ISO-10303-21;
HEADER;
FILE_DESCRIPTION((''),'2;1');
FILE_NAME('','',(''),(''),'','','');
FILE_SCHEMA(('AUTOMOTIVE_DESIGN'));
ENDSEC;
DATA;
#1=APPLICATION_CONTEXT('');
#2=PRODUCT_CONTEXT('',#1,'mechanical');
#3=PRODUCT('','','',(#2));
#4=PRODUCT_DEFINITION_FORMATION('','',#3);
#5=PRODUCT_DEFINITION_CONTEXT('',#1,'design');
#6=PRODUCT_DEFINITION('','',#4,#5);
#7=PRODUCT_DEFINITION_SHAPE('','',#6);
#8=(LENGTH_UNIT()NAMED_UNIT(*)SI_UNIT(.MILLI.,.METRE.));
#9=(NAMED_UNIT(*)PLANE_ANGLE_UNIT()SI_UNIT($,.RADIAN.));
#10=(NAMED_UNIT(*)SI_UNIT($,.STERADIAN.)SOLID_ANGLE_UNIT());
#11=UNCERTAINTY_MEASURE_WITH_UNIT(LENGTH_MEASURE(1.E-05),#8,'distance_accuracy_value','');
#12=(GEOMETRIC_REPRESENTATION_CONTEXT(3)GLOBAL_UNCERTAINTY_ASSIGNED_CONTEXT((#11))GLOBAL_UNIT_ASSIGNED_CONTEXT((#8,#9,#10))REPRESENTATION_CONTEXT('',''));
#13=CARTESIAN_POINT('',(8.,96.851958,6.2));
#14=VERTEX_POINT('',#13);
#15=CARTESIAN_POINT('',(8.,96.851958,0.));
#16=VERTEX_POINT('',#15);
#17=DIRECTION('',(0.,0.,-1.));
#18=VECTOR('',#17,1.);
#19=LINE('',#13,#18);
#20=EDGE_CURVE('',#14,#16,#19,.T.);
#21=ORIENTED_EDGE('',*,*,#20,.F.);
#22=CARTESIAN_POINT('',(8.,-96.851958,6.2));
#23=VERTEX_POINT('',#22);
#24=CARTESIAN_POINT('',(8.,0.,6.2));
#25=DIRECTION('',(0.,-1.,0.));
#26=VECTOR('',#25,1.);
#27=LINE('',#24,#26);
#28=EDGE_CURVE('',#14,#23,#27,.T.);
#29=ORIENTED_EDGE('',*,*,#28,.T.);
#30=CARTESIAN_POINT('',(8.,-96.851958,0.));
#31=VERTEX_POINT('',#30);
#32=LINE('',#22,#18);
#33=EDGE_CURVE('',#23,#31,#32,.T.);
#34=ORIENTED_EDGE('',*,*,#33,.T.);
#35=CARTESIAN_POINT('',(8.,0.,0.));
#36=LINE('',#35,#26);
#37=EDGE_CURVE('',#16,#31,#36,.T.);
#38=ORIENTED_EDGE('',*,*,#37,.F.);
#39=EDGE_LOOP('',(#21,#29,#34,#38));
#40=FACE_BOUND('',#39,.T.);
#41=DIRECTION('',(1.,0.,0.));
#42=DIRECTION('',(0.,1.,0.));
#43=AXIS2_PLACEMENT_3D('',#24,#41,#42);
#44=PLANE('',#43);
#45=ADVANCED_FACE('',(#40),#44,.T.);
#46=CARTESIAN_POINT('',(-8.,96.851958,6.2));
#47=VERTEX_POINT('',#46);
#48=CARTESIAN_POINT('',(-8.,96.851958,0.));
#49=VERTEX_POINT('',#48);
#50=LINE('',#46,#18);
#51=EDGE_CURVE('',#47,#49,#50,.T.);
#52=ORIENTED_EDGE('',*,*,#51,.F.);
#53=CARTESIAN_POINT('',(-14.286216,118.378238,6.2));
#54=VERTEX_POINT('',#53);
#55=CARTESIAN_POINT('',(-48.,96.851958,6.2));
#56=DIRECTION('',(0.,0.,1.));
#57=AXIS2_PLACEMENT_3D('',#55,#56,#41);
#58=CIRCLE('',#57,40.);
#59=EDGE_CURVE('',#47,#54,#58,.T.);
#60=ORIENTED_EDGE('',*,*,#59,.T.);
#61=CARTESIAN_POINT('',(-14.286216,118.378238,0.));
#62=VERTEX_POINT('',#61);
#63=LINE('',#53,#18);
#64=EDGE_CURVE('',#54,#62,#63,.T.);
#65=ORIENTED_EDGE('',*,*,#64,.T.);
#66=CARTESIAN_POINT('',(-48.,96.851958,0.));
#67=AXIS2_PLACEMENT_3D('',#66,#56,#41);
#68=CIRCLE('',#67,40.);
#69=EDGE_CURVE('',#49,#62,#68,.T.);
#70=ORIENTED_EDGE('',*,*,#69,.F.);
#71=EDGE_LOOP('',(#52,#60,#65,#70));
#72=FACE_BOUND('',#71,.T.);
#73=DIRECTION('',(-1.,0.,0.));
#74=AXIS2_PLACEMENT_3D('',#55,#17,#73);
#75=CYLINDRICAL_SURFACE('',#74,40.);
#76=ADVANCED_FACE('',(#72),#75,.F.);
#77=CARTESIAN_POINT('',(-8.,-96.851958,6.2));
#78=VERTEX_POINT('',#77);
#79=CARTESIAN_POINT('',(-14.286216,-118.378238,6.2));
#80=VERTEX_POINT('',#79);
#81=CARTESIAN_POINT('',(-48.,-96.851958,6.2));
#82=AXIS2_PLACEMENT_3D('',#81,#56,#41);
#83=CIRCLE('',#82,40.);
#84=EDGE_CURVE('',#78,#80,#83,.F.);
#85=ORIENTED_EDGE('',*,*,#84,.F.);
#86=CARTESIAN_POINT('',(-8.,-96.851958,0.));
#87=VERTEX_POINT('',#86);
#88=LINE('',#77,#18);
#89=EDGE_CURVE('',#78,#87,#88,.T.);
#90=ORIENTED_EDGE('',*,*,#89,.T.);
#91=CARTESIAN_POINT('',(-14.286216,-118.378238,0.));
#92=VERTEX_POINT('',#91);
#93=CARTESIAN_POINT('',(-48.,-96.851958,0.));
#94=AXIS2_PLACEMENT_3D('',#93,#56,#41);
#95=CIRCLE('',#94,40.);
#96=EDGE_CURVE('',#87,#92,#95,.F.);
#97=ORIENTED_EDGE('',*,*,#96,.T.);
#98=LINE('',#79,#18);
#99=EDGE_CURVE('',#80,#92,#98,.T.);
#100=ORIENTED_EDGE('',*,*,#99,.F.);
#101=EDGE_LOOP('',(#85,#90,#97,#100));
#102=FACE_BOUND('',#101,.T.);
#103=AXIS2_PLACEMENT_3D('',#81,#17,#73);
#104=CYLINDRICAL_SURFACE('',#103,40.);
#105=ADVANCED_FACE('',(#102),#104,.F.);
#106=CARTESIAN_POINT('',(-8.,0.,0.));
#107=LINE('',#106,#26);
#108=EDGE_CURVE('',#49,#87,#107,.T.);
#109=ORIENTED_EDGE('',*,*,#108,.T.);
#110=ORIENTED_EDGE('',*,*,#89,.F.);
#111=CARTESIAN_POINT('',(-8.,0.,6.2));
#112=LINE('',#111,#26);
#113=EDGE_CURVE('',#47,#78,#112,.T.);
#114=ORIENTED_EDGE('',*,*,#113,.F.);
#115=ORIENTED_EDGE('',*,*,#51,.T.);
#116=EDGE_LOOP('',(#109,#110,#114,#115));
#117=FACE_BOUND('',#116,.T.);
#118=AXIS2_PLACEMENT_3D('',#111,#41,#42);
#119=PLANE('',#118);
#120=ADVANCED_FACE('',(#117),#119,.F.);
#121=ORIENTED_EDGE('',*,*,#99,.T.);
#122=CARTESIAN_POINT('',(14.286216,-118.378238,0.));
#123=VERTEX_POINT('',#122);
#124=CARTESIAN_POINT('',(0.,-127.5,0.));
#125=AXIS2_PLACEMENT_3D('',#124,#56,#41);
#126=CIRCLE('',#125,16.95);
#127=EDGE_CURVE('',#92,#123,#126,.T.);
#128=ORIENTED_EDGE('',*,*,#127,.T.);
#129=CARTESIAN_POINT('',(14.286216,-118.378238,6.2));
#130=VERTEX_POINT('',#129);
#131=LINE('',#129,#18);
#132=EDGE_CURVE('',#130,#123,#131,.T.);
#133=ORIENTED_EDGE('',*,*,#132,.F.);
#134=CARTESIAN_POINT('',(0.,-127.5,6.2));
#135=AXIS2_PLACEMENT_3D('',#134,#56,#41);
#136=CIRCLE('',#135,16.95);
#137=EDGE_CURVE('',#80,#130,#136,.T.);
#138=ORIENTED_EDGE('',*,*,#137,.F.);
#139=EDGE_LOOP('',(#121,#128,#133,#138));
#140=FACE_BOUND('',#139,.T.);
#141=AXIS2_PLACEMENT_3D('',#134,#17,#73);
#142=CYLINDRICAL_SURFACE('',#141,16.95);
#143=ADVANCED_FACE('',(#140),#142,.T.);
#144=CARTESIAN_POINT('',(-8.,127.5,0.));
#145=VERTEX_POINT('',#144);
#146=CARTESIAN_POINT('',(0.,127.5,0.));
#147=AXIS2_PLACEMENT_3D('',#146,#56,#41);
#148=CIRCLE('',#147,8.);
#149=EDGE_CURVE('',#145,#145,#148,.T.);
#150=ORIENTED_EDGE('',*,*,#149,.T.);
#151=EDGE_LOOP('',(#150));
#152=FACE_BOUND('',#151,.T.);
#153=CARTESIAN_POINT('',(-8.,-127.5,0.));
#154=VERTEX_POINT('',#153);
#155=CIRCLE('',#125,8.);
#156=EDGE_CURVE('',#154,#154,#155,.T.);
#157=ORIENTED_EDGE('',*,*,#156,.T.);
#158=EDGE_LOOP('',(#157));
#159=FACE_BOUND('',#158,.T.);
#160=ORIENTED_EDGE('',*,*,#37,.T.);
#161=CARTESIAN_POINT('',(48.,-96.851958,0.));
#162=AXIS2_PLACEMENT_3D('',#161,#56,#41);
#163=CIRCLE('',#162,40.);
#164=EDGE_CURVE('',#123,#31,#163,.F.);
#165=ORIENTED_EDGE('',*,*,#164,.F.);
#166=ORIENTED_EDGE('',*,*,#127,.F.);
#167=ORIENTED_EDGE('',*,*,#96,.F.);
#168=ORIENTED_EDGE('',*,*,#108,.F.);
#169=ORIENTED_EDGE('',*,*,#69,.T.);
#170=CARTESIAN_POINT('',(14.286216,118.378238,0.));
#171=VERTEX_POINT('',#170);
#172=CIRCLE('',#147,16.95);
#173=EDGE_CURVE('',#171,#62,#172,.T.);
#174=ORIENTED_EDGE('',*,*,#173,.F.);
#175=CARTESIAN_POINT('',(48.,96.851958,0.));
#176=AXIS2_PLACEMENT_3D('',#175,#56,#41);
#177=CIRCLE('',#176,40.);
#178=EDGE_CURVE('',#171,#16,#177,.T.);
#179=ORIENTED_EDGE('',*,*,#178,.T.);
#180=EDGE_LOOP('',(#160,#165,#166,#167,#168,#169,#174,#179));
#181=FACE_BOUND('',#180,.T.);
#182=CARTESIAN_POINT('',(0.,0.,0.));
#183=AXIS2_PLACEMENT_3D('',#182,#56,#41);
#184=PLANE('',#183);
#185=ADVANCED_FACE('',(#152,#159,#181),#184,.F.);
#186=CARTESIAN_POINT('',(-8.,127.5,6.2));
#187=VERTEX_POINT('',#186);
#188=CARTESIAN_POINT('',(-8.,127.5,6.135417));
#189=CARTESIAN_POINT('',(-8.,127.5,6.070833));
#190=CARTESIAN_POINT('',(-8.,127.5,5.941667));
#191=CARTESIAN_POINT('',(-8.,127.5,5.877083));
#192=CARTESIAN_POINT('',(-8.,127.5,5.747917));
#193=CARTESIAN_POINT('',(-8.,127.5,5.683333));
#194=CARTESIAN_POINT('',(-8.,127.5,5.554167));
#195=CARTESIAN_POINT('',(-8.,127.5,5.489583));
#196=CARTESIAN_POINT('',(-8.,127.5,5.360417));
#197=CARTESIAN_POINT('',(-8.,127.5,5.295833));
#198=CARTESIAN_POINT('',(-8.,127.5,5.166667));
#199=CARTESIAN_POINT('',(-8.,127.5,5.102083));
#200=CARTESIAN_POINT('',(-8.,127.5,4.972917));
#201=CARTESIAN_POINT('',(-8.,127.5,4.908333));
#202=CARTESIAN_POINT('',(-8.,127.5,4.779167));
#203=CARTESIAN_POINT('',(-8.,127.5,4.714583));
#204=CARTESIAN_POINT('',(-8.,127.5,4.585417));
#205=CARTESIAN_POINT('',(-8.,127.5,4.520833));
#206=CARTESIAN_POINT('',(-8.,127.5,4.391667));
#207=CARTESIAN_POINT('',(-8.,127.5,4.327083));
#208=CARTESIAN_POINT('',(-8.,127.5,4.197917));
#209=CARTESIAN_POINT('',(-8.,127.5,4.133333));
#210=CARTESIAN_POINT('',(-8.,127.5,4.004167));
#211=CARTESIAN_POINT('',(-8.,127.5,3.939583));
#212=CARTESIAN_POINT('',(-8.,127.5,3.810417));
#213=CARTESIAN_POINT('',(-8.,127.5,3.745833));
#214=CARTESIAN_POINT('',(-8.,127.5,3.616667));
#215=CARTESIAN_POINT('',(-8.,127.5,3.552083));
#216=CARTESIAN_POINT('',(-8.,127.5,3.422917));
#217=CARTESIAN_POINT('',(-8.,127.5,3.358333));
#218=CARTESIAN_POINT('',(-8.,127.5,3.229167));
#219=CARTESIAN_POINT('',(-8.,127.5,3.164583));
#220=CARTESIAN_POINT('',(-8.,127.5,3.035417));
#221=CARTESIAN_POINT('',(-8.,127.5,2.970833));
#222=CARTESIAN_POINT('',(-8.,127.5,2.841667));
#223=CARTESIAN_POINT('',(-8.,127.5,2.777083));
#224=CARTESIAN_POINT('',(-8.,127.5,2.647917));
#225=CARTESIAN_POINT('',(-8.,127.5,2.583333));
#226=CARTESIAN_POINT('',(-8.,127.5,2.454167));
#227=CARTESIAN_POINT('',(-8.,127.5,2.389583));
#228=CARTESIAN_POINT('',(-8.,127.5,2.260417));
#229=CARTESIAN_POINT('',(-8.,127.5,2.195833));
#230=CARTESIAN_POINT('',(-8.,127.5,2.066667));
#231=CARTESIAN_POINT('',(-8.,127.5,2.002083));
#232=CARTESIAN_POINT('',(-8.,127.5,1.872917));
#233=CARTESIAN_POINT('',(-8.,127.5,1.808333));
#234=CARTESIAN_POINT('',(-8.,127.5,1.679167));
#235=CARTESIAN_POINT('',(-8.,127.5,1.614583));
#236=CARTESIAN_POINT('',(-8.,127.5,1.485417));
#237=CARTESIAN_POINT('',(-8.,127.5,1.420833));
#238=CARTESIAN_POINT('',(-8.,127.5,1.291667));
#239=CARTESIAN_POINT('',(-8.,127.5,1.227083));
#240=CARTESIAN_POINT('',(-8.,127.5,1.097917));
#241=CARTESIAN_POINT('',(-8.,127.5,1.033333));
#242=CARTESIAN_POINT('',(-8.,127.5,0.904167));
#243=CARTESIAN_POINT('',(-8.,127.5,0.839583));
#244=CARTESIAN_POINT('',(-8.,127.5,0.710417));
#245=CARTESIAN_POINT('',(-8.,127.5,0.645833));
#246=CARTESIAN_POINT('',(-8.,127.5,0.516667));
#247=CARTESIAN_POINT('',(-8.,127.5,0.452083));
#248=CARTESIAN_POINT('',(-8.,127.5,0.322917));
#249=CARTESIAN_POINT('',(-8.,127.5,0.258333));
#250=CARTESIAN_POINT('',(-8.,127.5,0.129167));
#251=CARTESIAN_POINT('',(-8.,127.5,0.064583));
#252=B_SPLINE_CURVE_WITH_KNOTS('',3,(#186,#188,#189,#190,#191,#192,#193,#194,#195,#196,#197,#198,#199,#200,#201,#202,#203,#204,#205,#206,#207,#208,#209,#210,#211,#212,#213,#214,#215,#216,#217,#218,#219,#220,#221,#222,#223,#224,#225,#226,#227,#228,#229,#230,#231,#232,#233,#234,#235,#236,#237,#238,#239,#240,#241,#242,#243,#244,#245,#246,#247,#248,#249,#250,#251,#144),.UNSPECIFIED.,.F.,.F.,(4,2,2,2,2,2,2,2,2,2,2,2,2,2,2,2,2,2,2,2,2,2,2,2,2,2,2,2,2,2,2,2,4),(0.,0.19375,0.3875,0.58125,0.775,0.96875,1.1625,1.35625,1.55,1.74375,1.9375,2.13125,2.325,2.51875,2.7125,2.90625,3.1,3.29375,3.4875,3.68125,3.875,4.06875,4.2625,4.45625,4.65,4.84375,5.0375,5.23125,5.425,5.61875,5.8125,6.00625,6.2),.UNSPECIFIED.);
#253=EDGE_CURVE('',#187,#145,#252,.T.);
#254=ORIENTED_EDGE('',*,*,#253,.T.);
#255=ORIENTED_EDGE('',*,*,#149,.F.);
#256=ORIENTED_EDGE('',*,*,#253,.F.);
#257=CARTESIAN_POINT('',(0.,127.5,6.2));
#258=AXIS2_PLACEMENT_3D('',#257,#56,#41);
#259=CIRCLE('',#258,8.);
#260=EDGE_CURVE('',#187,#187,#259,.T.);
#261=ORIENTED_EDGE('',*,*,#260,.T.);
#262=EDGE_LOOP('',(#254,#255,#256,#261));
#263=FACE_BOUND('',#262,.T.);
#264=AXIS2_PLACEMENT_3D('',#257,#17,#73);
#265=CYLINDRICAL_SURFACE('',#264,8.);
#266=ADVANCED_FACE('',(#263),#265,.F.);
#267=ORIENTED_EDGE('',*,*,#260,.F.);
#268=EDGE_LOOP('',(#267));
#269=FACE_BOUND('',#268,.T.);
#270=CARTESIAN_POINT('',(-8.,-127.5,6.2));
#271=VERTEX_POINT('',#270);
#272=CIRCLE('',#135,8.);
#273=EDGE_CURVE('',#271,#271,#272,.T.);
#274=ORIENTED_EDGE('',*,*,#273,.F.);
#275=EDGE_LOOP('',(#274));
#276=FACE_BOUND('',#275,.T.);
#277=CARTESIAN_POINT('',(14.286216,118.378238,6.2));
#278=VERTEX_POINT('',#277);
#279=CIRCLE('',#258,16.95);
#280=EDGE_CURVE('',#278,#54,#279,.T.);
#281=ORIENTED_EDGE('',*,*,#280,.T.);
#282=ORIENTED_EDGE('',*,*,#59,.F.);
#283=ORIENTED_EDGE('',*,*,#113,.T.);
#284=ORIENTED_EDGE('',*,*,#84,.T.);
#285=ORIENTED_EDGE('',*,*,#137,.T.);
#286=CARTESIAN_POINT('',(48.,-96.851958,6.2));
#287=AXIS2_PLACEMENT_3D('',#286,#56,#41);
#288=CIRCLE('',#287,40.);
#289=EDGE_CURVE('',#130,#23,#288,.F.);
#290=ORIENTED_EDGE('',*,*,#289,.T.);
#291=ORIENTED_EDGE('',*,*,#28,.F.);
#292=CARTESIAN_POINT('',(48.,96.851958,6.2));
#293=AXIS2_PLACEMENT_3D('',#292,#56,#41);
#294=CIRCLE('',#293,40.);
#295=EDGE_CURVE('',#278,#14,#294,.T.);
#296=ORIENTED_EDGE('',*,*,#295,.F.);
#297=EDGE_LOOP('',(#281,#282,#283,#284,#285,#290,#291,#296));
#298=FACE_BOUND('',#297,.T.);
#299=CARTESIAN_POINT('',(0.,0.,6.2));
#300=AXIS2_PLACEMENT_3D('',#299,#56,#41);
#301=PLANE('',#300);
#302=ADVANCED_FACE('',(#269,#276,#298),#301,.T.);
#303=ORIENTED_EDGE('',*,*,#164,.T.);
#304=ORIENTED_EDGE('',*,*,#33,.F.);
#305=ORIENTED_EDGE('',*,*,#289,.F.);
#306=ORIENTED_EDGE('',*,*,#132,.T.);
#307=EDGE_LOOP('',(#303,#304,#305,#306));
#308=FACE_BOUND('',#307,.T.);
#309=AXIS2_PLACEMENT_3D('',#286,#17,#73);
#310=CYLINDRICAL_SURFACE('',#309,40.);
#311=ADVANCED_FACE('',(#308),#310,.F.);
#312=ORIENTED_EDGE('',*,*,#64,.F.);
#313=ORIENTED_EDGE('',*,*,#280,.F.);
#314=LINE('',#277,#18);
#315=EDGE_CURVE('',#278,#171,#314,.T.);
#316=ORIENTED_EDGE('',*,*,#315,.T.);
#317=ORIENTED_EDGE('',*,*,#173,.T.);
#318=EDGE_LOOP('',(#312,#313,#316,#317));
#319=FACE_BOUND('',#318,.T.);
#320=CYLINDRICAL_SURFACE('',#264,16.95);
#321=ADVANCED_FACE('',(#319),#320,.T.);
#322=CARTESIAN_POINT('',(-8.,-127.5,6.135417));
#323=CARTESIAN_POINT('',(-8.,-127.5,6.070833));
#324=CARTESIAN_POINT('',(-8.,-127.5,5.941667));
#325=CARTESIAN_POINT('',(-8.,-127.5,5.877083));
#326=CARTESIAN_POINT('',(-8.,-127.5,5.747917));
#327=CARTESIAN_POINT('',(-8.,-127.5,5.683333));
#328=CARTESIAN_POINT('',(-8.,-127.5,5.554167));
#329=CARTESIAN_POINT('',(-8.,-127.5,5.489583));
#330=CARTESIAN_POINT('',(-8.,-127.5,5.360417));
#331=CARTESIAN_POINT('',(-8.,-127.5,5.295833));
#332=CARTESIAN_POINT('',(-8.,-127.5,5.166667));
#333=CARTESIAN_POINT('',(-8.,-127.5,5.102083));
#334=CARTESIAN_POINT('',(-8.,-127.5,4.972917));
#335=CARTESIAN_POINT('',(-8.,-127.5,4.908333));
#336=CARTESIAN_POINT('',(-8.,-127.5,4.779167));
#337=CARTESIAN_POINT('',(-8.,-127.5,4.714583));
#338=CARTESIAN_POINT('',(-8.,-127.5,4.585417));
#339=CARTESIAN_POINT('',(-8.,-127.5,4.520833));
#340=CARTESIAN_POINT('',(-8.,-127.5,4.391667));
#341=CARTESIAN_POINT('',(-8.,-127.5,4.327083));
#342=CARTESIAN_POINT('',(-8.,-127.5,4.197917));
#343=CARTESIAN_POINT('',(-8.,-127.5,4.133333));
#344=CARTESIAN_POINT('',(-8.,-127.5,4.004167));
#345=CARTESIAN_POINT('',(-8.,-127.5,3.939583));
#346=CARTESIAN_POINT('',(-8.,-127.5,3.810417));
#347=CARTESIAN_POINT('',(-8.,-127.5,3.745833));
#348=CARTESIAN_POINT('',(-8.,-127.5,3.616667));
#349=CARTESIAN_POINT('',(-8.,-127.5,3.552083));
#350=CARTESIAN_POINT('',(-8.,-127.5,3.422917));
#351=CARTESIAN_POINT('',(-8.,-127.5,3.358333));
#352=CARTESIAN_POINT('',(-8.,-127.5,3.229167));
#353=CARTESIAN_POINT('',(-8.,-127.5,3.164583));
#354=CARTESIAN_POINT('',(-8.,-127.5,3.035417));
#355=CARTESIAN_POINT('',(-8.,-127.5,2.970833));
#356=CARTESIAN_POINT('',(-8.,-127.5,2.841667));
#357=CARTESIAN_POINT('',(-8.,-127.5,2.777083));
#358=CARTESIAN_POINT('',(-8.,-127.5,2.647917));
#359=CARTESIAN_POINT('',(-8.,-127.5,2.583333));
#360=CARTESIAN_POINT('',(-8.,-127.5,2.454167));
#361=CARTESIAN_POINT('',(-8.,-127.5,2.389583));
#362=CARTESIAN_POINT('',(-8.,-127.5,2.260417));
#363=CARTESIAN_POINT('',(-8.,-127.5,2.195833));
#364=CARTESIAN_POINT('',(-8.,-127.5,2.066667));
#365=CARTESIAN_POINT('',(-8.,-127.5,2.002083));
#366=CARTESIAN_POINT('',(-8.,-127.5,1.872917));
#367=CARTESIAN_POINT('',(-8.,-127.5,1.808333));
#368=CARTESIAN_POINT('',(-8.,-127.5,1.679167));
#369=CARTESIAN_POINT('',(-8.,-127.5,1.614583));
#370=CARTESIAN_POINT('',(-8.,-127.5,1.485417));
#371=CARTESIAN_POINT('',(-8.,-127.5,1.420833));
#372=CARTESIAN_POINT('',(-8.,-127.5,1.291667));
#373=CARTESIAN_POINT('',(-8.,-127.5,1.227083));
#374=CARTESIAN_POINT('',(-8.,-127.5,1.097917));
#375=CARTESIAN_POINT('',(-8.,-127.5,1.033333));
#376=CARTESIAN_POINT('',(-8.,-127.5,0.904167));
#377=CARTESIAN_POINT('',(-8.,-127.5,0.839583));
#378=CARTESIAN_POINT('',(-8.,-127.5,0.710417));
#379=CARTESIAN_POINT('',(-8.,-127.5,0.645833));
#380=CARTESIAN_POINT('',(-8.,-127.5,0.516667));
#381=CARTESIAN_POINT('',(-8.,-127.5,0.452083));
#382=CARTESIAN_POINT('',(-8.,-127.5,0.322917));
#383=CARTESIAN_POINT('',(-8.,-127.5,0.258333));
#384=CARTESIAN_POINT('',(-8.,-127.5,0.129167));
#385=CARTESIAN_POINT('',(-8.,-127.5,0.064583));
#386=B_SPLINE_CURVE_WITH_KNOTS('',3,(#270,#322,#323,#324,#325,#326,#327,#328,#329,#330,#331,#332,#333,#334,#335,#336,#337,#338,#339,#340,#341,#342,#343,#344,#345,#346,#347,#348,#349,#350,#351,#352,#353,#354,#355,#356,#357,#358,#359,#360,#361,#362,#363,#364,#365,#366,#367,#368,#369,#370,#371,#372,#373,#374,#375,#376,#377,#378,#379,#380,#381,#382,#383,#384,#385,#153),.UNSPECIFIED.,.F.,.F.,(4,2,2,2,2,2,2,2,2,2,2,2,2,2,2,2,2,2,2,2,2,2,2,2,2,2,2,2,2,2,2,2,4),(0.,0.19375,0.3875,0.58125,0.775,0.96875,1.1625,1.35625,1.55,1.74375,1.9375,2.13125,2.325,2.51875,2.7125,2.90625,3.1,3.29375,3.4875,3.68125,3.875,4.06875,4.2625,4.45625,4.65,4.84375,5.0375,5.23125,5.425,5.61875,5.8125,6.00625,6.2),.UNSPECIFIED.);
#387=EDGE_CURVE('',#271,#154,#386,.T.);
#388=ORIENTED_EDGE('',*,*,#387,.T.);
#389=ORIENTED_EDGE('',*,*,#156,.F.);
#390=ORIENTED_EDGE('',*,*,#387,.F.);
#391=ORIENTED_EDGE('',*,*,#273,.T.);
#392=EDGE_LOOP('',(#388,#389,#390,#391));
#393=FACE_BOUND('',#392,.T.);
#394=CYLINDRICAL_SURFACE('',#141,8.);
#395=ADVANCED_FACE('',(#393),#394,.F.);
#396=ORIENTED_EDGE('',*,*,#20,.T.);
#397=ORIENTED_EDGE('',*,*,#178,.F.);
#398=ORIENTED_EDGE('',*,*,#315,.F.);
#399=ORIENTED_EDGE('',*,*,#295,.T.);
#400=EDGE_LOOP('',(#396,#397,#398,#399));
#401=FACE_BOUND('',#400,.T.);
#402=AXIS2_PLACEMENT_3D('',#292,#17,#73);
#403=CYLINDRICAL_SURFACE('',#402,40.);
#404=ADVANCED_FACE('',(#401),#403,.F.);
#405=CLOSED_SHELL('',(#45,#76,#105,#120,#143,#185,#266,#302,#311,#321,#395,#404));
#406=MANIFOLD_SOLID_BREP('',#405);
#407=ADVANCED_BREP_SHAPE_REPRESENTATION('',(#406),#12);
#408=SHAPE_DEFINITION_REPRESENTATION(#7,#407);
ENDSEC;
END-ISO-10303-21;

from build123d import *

# Parameters (mm, degrees)
SKETCH1_R           = 8
BOSS_EXTRUDE1_DEPTH = 6.2


with BuildPart() as part:
    # Sketch1 → Boss-Extrude1 (new body)
    with BuildSketch(Plane.XY):
        with BuildLine():
            Line((-8, 96.851957648), (-8, -96.851957648))
            ThreePointArc((-8, -96.851957648), (-9.603702256, -108.064643302), (-14.286215979, -118.378238492))
            ThreePointArc((-14.286215979, -118.378238492), (0, -144.45), (14.286215979, -118.378238492))
            ThreePointArc((14.286215979, -118.378238492), (9.603702256, -108.064643302), (8, -96.851957648))
            Line((8, -96.851957648), (8, 96.851957648))
            ThreePointArc((8, 96.851957648), (9.603702256, 108.064643302), (14.286215979, 118.378238492))
            ThreePointArc((14.286215979, 118.378238492), (0, 144.45), (-14.286215979, 118.378238492))
            ThreePointArc((-14.286215979, 118.378238492), (-9.603702256, 108.064643302), (-8, 96.851957648))
        make_face()
        with Locations(Location((0, 127.5, 0), (0, 0, 180))):
            Circle(SKETCH1_R, mode=Mode.SUBTRACT)
        with Locations(Location((0, -127.5, 0), (0, 0, 180))):
            Circle(SKETCH1_R, mode=Mode.SUBTRACT)
    extrude(amount=BOSS_EXTRUDE1_DEPTH)


solid = part.part
